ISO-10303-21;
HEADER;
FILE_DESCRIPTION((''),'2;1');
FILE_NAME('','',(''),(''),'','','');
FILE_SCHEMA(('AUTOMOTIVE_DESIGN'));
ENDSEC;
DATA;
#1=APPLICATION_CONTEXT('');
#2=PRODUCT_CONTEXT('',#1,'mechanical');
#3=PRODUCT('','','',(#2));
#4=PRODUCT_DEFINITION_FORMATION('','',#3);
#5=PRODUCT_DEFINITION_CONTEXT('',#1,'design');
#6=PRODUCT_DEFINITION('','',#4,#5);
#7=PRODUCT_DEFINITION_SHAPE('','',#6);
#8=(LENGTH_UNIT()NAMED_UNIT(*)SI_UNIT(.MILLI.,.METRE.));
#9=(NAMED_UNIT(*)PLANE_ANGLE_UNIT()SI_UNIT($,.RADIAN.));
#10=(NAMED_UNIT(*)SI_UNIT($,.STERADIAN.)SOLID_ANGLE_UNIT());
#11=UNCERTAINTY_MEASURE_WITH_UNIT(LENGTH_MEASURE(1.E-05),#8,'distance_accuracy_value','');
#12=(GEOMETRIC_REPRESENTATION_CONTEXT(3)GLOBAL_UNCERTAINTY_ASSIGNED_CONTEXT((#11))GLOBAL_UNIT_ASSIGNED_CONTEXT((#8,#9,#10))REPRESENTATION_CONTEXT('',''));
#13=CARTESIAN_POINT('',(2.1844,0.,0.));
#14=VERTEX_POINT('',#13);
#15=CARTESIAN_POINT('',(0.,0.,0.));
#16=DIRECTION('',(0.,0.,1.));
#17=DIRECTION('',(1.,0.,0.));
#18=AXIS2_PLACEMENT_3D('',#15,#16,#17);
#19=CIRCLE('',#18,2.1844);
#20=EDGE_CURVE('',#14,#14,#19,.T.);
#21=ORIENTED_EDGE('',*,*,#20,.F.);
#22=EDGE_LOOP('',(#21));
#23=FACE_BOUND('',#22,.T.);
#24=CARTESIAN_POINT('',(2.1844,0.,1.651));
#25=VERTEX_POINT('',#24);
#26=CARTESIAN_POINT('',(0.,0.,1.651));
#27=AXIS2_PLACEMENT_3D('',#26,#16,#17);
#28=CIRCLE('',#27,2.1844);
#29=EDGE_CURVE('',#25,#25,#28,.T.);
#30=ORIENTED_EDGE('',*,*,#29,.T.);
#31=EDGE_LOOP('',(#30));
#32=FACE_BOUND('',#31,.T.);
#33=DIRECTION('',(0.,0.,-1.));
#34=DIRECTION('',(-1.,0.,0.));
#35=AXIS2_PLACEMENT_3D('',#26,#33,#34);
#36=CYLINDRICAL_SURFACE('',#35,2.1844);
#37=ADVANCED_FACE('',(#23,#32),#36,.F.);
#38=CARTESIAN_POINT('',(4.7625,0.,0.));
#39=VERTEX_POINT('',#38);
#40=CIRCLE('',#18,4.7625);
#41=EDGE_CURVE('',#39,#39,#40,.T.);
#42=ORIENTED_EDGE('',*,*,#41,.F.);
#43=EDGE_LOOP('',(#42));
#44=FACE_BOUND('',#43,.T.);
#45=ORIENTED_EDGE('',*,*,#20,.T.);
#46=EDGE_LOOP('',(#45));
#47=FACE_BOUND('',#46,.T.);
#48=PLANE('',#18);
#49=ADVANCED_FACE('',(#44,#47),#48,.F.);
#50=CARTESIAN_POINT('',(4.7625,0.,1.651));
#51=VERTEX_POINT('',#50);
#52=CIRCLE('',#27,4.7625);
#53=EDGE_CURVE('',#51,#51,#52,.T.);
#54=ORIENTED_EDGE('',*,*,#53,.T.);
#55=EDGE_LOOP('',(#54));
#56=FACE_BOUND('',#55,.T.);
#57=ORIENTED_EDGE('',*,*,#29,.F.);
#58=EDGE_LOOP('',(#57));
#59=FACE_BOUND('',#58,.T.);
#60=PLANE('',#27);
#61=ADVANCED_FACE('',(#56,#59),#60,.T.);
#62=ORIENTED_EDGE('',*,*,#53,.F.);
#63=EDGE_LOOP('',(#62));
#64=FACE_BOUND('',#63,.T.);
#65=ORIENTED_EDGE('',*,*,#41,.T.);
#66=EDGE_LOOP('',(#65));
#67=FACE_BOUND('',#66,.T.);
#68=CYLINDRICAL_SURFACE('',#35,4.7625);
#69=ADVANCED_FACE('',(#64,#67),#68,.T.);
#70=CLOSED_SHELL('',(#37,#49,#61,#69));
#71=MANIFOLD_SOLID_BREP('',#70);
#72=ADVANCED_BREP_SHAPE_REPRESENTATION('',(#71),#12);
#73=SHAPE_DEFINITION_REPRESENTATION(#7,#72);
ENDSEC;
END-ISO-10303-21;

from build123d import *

# Parameters (mm, degrees)
SKETCH1_R      = 4.7625
SKETCH1_R_2    = 2.1844
EXTRUDE1_DEPTH = 1.651


with BuildPart() as part:
    # Sketch1 → Extrude1 (new body)
    with BuildSketch(Plane.XY):
        Circle(SKETCH1_R)
        Circle(SKETCH1_R_2, mode=Mode.SUBTRACT)
    extrude(amount=EXTRUDE1_DEPTH)


solid = part.part
